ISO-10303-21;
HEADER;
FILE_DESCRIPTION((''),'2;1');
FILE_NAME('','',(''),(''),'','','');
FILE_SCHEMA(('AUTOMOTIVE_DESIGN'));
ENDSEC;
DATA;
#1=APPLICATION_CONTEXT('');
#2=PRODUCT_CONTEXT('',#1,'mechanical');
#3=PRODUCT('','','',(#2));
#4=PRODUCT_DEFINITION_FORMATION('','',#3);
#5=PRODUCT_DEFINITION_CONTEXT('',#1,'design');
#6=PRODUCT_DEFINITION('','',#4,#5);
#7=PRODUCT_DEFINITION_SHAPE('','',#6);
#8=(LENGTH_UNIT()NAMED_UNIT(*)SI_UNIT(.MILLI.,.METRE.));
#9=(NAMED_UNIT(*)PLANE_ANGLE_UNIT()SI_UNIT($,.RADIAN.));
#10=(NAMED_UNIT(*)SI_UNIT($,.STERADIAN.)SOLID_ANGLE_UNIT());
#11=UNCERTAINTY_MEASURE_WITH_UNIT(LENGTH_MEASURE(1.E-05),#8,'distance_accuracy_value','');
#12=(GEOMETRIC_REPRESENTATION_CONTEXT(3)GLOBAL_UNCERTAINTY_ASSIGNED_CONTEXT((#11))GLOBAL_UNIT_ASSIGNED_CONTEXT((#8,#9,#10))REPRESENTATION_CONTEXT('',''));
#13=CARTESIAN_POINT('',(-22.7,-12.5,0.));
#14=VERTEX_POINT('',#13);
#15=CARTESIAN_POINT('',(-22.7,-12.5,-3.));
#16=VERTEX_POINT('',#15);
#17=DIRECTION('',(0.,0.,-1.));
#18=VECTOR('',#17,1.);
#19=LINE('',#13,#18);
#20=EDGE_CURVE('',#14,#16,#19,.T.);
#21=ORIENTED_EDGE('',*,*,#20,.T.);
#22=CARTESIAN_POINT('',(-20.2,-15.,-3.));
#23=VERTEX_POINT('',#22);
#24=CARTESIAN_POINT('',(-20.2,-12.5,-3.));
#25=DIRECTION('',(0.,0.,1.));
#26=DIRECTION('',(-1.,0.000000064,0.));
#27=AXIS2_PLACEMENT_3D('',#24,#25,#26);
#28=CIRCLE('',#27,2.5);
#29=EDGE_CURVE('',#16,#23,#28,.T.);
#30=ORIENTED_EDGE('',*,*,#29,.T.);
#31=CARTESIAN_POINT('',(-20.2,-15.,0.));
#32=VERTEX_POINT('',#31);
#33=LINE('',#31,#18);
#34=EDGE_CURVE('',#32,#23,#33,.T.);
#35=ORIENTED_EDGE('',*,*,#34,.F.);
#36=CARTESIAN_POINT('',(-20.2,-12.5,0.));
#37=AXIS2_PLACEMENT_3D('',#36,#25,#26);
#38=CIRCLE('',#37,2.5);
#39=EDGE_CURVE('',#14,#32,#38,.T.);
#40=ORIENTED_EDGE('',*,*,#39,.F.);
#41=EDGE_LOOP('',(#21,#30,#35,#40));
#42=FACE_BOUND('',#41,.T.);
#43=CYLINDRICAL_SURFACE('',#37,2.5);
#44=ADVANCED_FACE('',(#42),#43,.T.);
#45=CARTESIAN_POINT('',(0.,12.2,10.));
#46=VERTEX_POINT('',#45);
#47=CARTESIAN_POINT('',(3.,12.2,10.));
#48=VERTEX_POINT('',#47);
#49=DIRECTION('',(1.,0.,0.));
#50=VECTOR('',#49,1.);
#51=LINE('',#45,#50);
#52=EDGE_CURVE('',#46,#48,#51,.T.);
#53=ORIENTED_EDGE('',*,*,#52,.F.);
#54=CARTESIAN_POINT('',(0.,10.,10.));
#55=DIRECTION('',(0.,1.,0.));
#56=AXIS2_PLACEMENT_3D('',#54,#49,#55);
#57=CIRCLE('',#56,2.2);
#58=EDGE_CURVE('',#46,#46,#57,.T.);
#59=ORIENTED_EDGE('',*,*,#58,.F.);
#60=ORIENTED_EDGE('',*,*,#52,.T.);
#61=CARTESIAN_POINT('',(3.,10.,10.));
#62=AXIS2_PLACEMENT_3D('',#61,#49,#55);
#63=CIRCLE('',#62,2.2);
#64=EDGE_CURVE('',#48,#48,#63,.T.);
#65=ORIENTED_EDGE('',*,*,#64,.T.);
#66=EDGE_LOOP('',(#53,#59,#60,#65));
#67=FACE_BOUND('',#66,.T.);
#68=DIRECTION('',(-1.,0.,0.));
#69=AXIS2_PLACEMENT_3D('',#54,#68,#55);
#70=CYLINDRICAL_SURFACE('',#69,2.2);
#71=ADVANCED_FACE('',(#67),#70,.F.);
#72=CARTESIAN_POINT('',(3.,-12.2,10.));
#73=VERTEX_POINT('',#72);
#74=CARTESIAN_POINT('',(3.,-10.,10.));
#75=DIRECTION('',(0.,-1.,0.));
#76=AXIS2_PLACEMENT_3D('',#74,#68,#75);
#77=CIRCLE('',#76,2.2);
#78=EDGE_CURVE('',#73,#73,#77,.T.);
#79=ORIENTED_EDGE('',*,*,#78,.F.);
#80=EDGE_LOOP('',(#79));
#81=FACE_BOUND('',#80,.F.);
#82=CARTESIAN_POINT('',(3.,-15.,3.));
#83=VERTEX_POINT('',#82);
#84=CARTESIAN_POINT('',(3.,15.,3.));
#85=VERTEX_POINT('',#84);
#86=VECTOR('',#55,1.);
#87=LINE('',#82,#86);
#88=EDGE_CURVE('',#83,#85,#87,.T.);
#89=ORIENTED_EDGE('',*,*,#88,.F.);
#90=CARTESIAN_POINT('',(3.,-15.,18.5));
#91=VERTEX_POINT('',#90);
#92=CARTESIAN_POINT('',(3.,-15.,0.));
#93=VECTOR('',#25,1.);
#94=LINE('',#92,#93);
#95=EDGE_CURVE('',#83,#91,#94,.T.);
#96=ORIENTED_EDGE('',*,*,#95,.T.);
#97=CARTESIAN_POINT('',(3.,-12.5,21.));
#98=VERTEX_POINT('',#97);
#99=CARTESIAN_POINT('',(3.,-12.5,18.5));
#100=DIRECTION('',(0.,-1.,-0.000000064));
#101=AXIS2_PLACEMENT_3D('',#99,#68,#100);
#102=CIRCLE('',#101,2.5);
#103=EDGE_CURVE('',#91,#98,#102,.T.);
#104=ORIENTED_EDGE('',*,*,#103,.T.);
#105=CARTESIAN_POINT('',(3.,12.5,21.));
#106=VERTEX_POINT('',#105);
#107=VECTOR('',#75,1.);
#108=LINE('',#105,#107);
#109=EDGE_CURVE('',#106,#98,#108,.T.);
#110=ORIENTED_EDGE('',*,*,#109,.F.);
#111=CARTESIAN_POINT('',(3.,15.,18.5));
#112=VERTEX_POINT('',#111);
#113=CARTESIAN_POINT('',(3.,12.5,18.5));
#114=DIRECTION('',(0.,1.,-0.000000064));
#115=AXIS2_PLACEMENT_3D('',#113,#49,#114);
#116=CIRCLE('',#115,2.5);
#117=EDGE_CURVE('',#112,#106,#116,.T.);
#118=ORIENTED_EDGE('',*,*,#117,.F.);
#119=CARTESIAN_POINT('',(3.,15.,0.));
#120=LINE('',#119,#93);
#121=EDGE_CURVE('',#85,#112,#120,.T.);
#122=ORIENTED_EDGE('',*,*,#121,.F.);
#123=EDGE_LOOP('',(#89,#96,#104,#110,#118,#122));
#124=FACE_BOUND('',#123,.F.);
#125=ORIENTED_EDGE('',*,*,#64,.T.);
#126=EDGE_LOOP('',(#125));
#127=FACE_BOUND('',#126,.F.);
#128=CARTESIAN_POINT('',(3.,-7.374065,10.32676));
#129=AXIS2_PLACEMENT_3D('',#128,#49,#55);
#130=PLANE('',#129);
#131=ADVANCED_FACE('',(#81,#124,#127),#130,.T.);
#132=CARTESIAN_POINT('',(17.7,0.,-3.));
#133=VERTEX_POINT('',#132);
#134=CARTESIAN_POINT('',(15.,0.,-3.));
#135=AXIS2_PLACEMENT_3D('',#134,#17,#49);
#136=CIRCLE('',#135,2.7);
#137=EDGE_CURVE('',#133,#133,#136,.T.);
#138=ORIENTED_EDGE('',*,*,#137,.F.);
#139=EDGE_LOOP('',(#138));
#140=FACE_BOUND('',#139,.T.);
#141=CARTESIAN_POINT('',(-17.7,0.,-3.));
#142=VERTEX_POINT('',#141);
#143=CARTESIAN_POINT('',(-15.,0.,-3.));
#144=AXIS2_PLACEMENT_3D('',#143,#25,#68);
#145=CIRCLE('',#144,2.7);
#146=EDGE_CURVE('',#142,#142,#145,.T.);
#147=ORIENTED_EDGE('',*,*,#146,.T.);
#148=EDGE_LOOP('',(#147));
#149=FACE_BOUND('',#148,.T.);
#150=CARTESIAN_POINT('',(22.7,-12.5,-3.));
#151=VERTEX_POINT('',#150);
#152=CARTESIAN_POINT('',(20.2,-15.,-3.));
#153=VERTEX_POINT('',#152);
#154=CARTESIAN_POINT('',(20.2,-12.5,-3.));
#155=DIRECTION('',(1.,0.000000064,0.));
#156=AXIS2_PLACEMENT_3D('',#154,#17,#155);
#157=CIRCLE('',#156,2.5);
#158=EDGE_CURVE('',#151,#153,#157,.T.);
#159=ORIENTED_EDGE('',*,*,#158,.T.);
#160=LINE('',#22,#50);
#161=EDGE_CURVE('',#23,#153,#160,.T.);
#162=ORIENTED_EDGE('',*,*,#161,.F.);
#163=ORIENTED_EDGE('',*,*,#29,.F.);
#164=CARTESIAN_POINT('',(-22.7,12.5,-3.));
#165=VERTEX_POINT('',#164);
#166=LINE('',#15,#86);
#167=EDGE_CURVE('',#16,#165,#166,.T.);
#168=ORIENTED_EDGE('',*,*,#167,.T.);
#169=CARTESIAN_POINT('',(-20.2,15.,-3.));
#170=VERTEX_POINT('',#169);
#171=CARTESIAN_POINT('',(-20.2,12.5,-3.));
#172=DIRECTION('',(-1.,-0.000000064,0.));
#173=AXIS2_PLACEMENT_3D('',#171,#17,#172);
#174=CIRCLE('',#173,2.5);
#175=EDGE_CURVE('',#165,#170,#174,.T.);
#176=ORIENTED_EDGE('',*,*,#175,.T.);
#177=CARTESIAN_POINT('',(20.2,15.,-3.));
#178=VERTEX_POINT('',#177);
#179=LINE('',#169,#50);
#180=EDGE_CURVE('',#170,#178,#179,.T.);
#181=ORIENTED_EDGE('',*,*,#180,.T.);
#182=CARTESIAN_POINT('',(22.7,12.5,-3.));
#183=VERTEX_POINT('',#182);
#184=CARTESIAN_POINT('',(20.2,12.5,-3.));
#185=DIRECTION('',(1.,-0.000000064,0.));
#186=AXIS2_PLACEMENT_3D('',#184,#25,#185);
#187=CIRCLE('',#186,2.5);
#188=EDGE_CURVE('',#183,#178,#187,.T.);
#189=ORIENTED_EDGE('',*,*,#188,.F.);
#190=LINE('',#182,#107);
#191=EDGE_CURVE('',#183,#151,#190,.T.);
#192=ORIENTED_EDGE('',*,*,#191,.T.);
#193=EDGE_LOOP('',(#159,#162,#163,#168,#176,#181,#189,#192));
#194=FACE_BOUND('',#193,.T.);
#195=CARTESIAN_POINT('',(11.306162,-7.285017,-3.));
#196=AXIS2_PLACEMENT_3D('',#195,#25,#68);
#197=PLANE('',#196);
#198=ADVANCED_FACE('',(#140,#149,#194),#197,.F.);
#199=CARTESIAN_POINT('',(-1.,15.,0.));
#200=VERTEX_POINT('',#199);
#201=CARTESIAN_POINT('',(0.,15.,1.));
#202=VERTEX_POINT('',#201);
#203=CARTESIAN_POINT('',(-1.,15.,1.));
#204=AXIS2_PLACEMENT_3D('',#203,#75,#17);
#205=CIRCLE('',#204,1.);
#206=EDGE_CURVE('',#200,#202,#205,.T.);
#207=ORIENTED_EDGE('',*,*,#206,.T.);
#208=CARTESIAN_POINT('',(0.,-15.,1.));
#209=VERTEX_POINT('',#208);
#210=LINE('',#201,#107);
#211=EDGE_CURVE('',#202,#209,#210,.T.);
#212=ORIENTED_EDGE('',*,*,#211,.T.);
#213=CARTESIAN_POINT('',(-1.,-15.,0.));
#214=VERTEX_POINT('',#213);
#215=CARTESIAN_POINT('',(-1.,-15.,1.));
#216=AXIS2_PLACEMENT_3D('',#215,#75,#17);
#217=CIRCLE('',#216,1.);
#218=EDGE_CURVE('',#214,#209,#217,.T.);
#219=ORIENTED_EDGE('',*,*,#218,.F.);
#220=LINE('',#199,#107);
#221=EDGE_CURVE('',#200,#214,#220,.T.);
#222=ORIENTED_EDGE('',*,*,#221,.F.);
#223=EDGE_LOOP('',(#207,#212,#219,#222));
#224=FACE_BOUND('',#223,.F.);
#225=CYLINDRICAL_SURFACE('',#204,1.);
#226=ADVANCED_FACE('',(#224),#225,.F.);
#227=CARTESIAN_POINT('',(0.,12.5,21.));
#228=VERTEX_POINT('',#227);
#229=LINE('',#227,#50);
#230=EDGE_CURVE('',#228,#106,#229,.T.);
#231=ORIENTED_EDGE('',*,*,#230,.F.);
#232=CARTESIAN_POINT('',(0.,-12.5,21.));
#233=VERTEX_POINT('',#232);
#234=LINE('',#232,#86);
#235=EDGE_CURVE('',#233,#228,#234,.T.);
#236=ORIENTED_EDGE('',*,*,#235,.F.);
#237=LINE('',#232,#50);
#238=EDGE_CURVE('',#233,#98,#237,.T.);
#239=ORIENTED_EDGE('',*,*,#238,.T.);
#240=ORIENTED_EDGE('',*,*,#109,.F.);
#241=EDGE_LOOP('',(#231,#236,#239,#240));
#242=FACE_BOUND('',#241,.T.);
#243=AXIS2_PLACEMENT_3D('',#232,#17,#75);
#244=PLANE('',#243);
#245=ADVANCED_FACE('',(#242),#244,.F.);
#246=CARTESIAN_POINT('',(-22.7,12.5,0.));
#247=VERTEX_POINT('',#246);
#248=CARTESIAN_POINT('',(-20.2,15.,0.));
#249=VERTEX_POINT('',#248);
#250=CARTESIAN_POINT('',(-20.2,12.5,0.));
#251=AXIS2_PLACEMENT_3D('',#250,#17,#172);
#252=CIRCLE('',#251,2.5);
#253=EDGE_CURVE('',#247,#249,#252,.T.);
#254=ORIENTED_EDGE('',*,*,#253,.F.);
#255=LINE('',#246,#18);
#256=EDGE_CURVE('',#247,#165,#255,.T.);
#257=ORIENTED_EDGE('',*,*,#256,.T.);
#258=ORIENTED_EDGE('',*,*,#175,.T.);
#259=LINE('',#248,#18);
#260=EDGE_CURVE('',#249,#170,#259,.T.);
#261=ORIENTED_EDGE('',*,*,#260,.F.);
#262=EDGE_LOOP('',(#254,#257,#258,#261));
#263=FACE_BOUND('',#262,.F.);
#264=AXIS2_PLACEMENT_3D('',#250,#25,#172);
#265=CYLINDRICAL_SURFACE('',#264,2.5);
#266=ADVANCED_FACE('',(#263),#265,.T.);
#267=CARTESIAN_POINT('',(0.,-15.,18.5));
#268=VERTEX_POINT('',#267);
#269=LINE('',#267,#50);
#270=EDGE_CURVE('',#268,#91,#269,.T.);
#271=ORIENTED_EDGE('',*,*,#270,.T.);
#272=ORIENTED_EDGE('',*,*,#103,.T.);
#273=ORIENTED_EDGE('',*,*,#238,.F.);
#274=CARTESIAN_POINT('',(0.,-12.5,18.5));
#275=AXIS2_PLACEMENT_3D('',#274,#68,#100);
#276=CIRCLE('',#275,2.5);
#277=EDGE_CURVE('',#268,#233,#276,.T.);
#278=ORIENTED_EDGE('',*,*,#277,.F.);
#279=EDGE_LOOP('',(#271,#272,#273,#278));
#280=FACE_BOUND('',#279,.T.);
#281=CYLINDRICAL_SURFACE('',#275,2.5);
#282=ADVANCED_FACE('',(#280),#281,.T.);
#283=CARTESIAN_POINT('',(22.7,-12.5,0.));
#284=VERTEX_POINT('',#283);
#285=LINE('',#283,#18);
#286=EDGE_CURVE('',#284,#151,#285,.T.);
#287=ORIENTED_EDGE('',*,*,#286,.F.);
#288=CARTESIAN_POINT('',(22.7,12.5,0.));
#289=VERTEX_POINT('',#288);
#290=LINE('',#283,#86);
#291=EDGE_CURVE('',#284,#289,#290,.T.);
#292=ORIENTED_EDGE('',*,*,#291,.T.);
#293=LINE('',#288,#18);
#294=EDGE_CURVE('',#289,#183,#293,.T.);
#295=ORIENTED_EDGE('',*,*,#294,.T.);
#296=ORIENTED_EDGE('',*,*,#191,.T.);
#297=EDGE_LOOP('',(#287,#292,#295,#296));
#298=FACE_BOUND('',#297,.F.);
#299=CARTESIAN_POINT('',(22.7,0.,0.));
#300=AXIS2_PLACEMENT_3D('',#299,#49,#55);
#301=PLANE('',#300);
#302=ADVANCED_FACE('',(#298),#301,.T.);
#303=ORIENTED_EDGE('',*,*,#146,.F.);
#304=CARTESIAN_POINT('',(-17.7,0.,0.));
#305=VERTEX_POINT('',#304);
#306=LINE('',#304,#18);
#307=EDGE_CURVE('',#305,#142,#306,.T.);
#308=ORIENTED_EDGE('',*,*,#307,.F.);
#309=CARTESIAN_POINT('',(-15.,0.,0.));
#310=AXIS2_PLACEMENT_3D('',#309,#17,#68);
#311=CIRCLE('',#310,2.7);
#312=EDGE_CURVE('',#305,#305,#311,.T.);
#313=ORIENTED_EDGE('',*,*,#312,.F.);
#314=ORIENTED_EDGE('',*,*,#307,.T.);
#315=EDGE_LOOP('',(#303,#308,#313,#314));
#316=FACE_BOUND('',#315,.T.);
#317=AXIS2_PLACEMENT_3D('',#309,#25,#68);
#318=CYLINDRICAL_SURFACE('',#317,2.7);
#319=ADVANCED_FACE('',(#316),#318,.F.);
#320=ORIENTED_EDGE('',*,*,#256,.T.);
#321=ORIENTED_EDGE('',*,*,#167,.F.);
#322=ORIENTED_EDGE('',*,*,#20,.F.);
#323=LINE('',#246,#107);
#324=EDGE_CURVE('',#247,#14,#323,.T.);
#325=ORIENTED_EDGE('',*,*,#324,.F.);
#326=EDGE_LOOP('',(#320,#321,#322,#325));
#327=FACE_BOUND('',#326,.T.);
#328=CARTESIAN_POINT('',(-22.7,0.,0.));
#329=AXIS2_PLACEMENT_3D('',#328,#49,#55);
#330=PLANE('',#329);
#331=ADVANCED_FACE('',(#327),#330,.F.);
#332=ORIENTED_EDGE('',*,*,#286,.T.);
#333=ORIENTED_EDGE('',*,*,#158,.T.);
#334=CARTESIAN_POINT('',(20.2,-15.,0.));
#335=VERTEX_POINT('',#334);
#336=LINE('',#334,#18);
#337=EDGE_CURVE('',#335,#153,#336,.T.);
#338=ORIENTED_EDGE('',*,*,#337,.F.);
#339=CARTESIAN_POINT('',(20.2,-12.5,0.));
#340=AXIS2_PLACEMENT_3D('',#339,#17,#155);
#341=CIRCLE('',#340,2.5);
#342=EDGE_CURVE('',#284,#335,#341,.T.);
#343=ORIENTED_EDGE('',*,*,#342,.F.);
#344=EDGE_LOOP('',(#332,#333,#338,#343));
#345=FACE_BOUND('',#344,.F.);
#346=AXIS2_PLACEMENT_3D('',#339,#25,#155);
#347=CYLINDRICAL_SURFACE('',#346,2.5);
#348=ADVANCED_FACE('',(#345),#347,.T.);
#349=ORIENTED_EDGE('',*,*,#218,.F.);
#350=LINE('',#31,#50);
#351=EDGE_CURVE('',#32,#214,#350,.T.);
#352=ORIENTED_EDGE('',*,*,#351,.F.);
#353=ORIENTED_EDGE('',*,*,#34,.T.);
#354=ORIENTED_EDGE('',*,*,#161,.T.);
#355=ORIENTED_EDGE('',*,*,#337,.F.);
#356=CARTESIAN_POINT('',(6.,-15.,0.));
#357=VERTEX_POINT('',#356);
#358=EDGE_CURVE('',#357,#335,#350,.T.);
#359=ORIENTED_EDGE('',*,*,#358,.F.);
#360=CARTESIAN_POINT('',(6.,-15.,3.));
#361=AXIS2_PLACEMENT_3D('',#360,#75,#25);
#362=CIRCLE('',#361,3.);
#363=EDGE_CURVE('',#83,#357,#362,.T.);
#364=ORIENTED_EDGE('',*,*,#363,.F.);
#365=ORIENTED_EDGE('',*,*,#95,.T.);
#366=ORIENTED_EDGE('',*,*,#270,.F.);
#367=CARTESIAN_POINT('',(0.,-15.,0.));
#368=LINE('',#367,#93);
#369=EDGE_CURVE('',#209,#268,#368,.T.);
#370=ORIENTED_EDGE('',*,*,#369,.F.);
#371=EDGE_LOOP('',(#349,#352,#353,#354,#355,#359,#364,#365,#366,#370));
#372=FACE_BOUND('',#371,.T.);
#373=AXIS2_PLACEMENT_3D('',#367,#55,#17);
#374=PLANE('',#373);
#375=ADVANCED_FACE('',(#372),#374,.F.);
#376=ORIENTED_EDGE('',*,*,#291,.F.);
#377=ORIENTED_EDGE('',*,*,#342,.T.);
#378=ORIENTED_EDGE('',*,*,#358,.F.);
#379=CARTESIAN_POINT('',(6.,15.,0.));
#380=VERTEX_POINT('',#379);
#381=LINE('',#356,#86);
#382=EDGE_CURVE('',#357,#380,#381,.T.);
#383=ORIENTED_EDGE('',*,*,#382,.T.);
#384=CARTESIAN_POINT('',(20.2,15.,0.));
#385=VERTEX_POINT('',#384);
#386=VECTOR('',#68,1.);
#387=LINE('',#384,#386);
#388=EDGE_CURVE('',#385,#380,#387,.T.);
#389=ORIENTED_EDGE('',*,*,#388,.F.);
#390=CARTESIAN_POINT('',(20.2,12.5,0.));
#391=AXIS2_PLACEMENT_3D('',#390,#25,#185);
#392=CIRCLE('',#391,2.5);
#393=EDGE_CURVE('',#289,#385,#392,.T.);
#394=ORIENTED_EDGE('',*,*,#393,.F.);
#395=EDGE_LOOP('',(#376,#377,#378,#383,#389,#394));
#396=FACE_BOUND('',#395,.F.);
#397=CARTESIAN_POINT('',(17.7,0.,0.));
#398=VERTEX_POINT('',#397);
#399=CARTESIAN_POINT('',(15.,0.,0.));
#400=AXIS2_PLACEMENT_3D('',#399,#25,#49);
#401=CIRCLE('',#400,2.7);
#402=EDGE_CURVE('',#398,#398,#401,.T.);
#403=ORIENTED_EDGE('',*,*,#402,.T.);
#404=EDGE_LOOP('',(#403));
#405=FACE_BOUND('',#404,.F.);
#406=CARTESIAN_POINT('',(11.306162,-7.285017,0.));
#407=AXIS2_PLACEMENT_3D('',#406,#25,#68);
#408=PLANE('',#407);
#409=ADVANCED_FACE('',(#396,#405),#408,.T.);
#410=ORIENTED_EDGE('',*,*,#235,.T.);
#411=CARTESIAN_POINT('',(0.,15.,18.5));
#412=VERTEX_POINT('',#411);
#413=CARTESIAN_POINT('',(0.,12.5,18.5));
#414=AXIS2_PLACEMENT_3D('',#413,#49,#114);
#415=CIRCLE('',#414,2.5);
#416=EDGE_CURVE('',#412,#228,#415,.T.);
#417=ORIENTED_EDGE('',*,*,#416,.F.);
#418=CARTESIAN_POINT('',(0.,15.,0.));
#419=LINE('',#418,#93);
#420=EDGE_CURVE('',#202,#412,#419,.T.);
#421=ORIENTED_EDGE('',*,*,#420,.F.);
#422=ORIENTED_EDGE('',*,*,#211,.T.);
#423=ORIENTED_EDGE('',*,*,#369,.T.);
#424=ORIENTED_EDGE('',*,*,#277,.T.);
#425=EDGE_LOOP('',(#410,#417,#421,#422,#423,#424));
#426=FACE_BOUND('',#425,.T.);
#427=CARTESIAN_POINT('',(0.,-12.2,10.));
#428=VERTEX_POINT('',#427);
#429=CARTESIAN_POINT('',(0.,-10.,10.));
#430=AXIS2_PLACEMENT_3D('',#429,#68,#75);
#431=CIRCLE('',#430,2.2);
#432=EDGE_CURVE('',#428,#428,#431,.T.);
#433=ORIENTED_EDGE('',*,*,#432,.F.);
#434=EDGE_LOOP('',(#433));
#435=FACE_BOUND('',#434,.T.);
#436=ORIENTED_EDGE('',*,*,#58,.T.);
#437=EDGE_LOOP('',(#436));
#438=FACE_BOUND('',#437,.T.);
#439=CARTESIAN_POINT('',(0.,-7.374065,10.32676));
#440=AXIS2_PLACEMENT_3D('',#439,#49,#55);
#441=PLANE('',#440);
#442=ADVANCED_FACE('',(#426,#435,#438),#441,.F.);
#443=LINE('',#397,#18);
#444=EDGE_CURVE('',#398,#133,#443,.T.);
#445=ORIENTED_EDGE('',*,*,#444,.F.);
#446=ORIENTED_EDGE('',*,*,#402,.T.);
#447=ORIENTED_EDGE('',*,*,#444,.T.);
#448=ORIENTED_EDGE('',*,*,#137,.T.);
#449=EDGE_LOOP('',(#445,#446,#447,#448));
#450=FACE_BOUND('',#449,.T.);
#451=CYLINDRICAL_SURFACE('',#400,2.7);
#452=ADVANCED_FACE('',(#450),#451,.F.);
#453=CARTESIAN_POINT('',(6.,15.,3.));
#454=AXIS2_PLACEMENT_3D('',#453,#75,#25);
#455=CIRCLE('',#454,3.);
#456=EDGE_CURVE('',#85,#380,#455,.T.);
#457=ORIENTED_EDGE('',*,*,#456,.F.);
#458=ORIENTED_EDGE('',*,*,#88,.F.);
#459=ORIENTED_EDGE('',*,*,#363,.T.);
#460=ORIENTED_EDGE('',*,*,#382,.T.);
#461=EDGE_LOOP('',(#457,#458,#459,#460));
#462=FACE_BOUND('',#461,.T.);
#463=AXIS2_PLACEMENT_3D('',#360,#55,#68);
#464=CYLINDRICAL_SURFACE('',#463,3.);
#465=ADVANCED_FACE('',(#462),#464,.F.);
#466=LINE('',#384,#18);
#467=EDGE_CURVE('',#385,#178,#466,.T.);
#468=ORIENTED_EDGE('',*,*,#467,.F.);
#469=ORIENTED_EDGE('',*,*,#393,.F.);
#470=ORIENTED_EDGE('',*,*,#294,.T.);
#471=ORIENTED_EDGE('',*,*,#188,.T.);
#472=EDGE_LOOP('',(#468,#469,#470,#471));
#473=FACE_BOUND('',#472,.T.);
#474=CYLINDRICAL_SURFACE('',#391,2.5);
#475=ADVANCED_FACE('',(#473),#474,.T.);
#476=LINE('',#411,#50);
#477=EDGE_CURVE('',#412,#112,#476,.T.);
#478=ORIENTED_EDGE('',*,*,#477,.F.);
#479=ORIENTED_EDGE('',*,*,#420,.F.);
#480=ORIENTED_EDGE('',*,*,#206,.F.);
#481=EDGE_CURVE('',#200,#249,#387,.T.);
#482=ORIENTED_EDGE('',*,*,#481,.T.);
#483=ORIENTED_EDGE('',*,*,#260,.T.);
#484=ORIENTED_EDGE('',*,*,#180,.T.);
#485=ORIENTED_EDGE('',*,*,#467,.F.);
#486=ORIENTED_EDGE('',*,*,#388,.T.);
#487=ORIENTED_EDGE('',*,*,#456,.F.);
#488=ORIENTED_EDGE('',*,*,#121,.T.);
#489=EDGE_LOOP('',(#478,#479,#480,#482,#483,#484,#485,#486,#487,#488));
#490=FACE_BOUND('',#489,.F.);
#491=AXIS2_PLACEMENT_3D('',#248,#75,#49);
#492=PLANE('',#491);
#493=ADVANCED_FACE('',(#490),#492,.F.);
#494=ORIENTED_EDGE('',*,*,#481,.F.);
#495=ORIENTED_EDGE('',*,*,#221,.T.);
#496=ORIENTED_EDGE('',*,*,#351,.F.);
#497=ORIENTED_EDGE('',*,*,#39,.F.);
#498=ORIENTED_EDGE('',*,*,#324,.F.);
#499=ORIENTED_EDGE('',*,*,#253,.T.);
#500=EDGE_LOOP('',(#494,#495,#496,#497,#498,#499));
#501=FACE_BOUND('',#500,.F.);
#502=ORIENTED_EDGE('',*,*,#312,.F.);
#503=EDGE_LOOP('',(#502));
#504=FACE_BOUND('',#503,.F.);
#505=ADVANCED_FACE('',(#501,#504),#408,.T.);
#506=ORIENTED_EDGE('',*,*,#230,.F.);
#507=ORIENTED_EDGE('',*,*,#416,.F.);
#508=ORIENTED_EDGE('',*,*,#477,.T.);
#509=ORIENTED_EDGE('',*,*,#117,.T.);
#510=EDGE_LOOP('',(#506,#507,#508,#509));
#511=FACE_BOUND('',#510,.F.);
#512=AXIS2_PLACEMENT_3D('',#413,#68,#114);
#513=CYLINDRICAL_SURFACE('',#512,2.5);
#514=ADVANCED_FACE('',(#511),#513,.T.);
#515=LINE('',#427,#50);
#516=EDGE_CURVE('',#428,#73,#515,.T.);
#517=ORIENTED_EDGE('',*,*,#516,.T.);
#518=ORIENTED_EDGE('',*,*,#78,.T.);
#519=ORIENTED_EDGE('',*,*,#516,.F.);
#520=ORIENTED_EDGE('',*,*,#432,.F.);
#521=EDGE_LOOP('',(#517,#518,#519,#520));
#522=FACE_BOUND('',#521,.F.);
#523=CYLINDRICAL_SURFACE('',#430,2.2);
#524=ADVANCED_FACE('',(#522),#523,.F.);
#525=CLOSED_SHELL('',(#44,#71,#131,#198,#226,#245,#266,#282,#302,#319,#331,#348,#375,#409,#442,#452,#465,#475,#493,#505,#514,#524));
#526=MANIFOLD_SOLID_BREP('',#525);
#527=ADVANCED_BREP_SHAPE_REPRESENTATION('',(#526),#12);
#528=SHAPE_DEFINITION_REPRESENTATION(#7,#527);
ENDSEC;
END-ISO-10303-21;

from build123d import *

# Parameters (mm, degrees)
PAD_DEPTH            = 3
PAD_MIRRORED_2_DEPTH = 3
SKETCH001_R          = 2.2
PAD001_DEPTH         = 3
FILLET_R             = 1
FILLET001_R          = 3


with BuildPart() as part:
    # Sketch → Pad (new body)
    with BuildSketch(Plane.XY):
        with BuildLine():
            Line((0, 0), (12.3, 0))
            ThreePointArc((17.7, 0), (15, 2.7), (12.3, 0))
            Line((17.7, 0), (22.7, 0))
            Line((22.7, 0), (22.7, 12.5))
            ThreePointArc((22.7, 12.5), (21.967767, 14.267767), (20.2, 15))
            Line((20.2, 15), (0, 15))
            Line((0, 15), (0, 0))
        make_face()
    pad = extrude(amount=-PAD_DEPTH)

    # Sketch Mirrored 2 → Pad Mirrored 2 (add)
    with BuildSketch(Plane(origin=(0, 0, 0), x_dir=(-1, 0, 0), z_dir=(0, 0, -1))):
        with BuildLine():
            Line((0, 0), (12.3, 0))
            ThreePointArc((17.7, 0), (15, 2.7), (12.3, 0))
            Line((17.7, 0), (22.7, 0))
            Line((22.7, 0), (22.7, 12.5))
            ThreePointArc((22.7, 12.5), (21.967767, 14.267767), (20.2, 15))
            Line((20.2, 15), (0, 15))
            Line((0, 15), (0, 0))
        make_face()
    pad_mirrored_2 = extrude(amount=PAD_MIRRORED_2_DEPTH)

    # Mirrored001: Pad, Pad Mirrored 2 across Sketch H_Axis
    add(pad.mirror(Plane.ZX))
    add(pad_mirrored_2.mirror(Plane.ZX))

    # Sketch001 → Pad001 (join)
    with BuildSketch(Plane.YZ):
        with BuildLine():
            Line((0, 0), (15, 0))
            Line((15, 0), (15, 18.5))
            ThreePointArc((15, 18.5), (14.267767, 20.267767), (12.5, 21))
            Line((12.5, 21), (0, 21))
            Line((0, 21), (0, 0))
        make_face()
        with Locations((10, 10)):
            Circle(SKETCH001_R, mode=Mode.SUBTRACT)
    pad001 = extrude(amount=PAD001_DEPTH)

    # Mirrored002: Pad001 across Sketch001 V_Axis
    add(pad001.mirror(Plane(origin=(0, 0, 0), x_dir=(1, 0, 0), z_dir=(0, 1, 0))))

    # Fillet
    fillet_edges = [part.edges().sort_by_distance(p)[0] for p in [
        (0, -7.5, 0),
    ]]
    fillet(fillet_edges, radius=FILLET_R)

    # Fillet001
    fillet001_edges = [part.edges().sort_by_distance(p)[0] for p in [
        (3, -7.5, 0),
    ]]
    fillet(fillet001_edges, radius=FILLET001_R)


solid = part.part
